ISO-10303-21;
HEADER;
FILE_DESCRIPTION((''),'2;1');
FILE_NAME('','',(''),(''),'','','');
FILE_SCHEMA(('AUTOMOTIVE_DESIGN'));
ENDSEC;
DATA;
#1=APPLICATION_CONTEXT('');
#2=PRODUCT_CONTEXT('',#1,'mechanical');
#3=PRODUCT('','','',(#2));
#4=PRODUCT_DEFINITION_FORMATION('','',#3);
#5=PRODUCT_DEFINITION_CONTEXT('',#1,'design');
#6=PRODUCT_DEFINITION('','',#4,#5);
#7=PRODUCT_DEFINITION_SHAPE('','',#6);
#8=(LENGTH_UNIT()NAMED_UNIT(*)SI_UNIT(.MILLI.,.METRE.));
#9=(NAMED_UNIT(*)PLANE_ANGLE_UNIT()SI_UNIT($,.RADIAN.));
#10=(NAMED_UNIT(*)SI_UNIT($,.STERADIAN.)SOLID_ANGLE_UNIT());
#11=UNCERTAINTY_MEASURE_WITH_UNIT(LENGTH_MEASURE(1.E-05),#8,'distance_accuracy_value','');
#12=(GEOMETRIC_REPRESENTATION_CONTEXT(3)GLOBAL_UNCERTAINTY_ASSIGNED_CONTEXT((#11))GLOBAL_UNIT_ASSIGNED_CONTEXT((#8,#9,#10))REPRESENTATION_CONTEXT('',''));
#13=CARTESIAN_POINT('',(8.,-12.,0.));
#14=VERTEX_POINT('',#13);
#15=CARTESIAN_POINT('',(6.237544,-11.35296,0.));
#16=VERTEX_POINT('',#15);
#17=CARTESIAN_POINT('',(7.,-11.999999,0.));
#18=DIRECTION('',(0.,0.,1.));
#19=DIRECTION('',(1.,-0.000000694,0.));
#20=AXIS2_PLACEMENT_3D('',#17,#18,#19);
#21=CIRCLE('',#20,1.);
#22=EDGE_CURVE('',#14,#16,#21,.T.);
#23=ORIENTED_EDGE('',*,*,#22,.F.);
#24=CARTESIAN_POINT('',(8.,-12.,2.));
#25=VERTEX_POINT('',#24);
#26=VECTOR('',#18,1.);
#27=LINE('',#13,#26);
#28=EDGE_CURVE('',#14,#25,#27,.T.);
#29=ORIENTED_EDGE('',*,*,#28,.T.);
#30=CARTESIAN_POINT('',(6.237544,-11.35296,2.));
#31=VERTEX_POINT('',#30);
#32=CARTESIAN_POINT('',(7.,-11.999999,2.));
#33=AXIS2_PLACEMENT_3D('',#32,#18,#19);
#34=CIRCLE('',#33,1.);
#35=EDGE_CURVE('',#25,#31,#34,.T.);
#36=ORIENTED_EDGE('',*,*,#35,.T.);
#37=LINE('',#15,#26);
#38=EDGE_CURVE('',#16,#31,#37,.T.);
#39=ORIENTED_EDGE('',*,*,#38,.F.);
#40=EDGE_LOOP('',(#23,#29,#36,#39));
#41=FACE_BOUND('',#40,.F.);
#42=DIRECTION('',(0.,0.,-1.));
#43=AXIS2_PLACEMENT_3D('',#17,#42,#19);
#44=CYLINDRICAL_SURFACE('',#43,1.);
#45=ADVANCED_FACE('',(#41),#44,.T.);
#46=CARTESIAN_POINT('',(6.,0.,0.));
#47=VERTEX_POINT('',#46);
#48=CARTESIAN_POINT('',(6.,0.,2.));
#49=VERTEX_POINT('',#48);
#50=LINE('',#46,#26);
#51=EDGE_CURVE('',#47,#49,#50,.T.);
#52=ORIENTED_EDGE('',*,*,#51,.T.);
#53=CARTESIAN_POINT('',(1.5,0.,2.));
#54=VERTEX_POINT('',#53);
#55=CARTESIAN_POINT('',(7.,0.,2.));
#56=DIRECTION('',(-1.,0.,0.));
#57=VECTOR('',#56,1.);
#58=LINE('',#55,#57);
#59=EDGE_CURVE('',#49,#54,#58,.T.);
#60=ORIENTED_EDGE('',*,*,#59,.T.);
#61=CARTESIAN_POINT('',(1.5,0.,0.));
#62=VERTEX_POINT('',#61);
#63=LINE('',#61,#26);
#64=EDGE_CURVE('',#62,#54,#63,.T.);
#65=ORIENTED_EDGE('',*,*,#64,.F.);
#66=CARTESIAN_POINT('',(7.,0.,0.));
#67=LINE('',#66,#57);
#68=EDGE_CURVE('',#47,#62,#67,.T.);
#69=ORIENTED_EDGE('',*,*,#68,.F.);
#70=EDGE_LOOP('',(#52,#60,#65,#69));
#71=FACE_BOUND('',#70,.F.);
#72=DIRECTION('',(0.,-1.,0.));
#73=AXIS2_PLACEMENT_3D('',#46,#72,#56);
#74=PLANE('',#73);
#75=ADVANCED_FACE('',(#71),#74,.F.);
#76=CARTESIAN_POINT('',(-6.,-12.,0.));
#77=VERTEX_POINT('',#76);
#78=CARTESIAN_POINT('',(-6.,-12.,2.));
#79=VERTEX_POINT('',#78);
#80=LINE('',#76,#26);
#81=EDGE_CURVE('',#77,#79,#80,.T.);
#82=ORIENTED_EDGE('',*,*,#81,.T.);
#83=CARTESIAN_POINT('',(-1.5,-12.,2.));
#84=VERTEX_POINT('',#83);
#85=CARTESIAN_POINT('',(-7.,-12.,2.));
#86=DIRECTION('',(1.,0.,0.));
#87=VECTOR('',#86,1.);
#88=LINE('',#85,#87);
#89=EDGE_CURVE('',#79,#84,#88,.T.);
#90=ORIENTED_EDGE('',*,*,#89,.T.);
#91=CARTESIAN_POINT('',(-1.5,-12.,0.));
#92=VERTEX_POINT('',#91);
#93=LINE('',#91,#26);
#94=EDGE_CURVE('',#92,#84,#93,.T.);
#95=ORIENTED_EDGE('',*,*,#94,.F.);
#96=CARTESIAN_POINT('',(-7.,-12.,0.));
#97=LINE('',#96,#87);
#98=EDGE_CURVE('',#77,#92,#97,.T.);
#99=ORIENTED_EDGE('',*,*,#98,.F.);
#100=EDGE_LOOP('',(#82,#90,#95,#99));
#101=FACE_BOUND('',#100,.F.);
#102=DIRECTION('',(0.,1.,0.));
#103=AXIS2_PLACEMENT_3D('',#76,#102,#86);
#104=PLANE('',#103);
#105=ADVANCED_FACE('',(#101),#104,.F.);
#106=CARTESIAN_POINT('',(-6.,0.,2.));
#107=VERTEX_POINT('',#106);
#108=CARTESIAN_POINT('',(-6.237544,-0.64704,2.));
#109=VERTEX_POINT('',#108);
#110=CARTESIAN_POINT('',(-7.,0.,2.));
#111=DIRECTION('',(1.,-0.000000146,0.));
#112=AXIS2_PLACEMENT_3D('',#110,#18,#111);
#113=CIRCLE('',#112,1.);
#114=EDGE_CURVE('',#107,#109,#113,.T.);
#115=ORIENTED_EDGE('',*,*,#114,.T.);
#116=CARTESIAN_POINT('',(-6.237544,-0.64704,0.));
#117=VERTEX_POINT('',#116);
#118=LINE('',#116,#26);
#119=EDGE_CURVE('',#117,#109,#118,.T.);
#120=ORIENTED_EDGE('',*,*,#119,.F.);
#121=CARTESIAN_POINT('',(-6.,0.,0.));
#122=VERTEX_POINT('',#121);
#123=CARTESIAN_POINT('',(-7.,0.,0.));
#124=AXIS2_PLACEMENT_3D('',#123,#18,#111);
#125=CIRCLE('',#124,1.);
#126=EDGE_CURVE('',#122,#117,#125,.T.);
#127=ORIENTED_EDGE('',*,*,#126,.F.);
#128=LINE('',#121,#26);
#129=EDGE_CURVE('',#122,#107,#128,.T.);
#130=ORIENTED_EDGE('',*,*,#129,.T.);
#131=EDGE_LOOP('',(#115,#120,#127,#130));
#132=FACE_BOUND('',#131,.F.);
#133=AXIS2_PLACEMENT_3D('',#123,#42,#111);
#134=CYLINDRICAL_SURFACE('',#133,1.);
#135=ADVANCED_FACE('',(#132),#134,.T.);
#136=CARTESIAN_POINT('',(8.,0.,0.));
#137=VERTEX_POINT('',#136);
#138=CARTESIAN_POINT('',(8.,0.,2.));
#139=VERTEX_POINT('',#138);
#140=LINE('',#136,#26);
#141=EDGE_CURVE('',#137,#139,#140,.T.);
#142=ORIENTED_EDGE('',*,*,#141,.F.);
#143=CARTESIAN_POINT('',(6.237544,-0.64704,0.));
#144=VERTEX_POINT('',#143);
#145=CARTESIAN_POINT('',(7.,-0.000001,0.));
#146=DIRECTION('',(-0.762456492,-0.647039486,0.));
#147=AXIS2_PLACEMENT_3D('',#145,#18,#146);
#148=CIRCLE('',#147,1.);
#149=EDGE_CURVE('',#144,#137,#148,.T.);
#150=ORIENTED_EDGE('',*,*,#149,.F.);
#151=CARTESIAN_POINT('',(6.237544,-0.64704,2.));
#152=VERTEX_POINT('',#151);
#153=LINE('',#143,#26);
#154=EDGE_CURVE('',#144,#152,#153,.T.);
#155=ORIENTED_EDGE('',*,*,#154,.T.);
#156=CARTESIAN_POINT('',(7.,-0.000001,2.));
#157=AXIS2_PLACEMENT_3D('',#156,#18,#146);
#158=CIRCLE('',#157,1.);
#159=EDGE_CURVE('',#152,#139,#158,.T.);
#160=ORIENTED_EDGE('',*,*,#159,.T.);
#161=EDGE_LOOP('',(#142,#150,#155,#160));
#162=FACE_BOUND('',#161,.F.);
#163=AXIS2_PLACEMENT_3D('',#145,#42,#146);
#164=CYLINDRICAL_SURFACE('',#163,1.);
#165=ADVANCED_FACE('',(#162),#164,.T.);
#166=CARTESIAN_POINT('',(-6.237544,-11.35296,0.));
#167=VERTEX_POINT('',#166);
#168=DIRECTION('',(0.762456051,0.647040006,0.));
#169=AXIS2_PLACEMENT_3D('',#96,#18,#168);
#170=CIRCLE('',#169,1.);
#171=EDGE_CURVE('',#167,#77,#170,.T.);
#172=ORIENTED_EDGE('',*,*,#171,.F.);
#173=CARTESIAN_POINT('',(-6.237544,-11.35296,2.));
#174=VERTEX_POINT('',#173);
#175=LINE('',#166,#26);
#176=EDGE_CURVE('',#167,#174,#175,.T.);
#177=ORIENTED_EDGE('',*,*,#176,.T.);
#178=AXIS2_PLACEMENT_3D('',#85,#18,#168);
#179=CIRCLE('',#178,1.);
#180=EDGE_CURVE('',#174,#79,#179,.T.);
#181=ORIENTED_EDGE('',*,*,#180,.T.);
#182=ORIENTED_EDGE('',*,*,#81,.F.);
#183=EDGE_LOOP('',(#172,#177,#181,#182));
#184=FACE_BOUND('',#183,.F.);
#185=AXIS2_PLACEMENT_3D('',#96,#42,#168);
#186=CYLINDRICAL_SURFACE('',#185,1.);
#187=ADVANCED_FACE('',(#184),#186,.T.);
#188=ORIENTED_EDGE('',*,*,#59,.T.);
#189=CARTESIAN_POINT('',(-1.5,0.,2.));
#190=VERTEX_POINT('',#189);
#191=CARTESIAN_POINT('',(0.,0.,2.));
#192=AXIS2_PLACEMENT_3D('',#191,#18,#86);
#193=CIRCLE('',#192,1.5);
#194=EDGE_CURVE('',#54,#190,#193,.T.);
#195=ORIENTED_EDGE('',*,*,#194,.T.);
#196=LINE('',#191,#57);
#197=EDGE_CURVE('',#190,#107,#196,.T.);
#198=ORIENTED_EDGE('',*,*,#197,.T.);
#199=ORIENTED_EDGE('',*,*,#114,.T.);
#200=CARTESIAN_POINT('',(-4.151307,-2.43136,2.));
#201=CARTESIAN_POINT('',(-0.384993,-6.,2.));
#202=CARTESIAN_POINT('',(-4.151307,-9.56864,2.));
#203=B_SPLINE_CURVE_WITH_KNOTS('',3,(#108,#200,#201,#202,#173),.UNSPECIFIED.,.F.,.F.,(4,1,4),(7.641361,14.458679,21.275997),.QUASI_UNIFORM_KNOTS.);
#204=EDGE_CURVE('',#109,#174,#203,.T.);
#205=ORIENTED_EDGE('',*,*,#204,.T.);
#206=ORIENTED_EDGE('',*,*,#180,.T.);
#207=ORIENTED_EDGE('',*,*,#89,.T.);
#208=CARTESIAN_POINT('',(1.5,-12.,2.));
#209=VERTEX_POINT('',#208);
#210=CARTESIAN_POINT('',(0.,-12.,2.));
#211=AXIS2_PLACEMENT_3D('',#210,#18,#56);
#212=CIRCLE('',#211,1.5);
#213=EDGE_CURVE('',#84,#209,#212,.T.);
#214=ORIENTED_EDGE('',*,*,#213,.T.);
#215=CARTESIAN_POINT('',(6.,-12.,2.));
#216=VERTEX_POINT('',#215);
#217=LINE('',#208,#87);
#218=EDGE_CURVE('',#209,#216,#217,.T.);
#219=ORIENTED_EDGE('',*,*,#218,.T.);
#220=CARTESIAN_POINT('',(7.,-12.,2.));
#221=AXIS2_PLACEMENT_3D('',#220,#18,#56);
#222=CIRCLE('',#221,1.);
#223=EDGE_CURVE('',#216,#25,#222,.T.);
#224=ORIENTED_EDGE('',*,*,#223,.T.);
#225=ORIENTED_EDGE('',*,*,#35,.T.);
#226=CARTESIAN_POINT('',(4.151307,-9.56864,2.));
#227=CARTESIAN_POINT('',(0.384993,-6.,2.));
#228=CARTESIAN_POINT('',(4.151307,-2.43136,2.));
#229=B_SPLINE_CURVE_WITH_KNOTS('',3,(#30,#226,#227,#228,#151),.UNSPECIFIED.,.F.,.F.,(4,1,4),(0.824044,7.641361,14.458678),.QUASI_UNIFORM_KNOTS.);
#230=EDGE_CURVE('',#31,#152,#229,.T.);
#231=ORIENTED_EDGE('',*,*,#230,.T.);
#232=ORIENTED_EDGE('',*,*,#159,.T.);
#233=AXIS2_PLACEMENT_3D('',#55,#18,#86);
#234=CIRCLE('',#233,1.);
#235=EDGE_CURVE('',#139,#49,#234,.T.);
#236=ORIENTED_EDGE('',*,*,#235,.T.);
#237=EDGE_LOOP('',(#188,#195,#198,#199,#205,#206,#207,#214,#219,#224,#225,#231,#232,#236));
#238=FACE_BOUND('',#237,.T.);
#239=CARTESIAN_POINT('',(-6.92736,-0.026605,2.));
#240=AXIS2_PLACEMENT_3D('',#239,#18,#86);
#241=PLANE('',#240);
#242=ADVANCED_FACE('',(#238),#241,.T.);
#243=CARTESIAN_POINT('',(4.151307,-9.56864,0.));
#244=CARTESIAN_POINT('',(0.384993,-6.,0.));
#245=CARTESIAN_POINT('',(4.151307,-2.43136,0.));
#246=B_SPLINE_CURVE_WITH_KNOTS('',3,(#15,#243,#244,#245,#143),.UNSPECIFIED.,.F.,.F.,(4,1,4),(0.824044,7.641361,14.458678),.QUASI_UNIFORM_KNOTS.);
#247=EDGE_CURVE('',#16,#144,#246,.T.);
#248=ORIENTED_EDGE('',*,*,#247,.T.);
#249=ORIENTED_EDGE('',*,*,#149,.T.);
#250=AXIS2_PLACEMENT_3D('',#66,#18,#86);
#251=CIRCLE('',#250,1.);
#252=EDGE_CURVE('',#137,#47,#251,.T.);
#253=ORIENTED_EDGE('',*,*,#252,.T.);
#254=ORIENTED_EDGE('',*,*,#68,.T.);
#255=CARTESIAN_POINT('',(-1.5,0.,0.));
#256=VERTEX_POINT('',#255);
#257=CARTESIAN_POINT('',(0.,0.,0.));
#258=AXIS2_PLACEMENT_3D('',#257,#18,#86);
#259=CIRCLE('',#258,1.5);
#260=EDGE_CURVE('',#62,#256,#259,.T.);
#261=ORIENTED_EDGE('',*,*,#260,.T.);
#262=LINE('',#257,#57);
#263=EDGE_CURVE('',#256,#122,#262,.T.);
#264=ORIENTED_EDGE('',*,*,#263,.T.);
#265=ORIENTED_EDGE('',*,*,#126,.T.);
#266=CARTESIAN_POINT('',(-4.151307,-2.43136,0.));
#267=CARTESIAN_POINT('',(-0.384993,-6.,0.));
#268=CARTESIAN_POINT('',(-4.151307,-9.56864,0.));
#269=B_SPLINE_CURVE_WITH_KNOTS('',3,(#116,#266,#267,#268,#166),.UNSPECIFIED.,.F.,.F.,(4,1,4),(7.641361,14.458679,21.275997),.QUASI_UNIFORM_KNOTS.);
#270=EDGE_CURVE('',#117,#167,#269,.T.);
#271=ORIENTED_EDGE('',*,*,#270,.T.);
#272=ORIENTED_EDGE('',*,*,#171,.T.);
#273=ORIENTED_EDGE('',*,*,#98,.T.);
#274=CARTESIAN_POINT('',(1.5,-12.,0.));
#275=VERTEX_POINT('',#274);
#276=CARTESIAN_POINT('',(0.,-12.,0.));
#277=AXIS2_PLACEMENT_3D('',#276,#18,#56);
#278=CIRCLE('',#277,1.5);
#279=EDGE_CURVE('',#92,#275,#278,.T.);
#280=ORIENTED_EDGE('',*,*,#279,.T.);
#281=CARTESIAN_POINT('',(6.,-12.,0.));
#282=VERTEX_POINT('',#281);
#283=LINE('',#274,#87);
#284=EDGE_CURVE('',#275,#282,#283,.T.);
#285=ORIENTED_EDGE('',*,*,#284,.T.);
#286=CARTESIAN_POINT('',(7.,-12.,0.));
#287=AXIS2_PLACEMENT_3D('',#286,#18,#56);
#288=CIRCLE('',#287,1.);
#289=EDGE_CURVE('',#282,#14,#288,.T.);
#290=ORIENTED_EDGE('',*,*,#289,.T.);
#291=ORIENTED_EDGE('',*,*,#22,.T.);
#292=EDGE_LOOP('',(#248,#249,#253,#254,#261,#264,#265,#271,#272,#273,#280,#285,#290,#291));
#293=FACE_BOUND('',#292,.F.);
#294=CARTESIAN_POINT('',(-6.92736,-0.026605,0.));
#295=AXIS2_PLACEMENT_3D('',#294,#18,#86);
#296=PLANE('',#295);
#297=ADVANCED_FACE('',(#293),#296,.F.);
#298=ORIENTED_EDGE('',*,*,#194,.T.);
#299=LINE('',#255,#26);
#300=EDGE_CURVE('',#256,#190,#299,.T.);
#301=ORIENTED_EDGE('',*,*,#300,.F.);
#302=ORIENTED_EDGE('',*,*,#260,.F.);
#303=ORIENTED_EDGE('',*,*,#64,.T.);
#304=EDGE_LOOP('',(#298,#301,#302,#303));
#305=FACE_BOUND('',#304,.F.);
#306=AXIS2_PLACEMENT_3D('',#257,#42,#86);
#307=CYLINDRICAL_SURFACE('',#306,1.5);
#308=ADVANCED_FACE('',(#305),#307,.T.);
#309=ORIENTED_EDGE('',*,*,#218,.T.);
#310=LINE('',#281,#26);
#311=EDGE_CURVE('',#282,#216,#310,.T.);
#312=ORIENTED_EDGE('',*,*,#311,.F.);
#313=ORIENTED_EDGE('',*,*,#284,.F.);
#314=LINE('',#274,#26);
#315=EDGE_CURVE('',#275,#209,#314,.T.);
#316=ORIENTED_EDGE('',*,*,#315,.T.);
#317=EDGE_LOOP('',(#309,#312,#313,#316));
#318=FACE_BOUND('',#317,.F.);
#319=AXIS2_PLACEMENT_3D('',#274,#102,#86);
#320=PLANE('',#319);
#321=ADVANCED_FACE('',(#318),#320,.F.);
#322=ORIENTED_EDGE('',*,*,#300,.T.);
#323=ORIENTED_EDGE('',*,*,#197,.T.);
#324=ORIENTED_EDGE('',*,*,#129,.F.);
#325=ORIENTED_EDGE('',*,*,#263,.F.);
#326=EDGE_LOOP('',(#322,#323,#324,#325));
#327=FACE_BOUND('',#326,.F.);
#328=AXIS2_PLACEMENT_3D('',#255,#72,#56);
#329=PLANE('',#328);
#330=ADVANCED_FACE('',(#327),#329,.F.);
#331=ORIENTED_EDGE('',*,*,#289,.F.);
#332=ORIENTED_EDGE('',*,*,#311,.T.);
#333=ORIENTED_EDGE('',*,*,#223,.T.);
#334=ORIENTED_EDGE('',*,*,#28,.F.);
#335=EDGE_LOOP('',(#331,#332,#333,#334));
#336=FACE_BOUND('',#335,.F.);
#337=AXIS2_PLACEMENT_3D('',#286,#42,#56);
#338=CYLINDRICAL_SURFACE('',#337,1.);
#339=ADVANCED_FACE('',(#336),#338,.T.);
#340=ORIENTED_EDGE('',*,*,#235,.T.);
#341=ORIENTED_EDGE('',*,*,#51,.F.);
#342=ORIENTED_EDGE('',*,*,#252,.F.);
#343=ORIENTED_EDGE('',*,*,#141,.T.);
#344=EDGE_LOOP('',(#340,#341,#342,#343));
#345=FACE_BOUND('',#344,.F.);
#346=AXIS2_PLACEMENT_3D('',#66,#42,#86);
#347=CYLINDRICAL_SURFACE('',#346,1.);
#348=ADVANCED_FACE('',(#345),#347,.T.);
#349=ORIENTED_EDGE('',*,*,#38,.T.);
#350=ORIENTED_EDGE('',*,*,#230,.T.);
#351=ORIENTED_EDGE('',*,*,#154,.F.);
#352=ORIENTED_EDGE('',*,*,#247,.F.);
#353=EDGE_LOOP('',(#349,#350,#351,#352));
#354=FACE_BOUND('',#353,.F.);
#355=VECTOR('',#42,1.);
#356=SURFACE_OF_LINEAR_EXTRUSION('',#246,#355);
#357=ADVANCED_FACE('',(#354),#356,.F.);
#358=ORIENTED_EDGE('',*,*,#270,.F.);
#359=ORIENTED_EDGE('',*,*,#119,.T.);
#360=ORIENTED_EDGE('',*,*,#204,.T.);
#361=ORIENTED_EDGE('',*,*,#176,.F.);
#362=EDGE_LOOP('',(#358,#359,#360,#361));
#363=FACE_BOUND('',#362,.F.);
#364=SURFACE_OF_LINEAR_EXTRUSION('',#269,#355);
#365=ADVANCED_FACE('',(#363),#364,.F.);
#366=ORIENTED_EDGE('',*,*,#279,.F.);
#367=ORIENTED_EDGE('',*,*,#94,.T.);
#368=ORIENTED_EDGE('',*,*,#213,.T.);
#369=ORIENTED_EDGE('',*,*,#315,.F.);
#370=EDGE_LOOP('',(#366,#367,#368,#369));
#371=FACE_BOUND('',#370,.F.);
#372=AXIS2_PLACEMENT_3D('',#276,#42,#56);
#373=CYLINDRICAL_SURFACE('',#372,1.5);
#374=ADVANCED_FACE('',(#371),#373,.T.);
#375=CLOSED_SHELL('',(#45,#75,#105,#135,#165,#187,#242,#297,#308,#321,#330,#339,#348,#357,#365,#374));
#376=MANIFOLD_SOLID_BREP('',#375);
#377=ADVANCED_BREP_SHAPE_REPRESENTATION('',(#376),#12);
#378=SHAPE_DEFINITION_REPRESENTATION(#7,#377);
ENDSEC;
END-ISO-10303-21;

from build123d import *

# Parameters (mm, degrees)
F1_DEPTH = 2


with BuildPart() as f1:
    # F0 (on Top) → F1 (new body)
    with BuildSketch(Plane.XY):
        with BuildLine():
            add(Edge.make_bspline(
                [(-6.237544, -0.64704), (-6.489718, -0.43136), (-6.744859, -0.21568), (-7, 0)],
                knots=[14.458679, 14.458679, 14.458679, 14.458679, 15.282723, 15.282723, 15.282723, 15.282723], degree=3))
            Line((-7, 0), (-6, 0))
            ThreePointArc((-6, 0), (-7.938738, 0.344633), (-6.237544, -0.64704))
        make_face()
        with BuildLine():
            Line((-6, 0), (-7, 0))
            add(Edge.make_bspline(
                [(-6.237544, -0.64704), (-6.489718, -0.43136), (-6.744859, -0.21568), (-7, 0)],
                knots=[14.458679, 14.458679, 14.458679, 14.458679, 15.282723, 15.282723, 15.282723, 15.282723], degree=3))
            ThreePointArc((-6.237544, -0.64704), (-6.061262, -0.344633), (-6, 0))
        make_face()
        with BuildLine():
            Line((-1.5, 0), (-6, 0))
            ThreePointArc((-6, 0), (-6.061262, -0.344633), (-6.237544, -0.64704))
            add(Edge.make_bspline(
                [(-2.26815, -6), (-2.26815, -4.21568), (-4.151307, -2.43136), (-6.237544, -0.64704)],
                knots=[7.641361, 7.641361, 7.641361, 7.641361, 14.458679, 14.458679, 14.458679, 14.458679], degree=3))
            Line((-2.26815, -6), (0, -6))
            Line((0, -6), (0, 0))
            Line((0, 0), (-1.5, 0))
        make_face()
        with BuildLine():
            ThreePointArc((1.5, 0), (0, 1.5), (-1.5, 0))
            Line((-1.5, 0), (0, 0))
            Line((0, 0), (1.5, 0))
        make_face()
        with BuildLine():
            Line((1.5, 0), (0, 0))
            Line((0, 0), (0, -6))
            Line((0, -6), (2.26815, -6))
            add(Edge.make_bspline(
                [(2.26815, -6), (2.26815, -4.21568), (4.151307, -2.43136), (6.237544, -0.64704)],
                knots=[7.641361, 7.641361, 7.641361, 7.641361, 14.458679, 14.458679, 14.458679, 14.458679], degree=3))
            ThreePointArc((6.237544, -0.64704), (6.061262, -0.344633), (6, 0))
            Line((6, 0), (1.5, 0))
        make_face()
        with BuildLine():
            Line((7, 0), (6, 0))
            ThreePointArc((6, 0), (6.061262, -0.344633), (6.237544, -0.64704))
            add(Edge.make_bspline(
                [(6.237544, -0.64704), (6.489718, -0.43136), (6.744859, -0.21568), (7, 0)],
                knots=[14.458679, 14.458679, 14.458679, 14.458679, 15.282723, 15.282723, 15.282723, 15.282723], degree=3))
        make_face()
        with BuildLine():
            ThreePointArc((8, 0), (7, 1), (6, 0))
            Line((6, 0), (7, 0))
            add(Edge.make_bspline(
                [(6.237544, -0.64704), (6.489718, -0.43136), (6.744859, -0.21568), (7, 0)],
                knots=[14.458679, 14.458679, 14.458679, 14.458679, 15.282723, 15.282723, 15.282723, 15.282723], degree=3))
            ThreePointArc((6.237544, -0.64704), (7.344633, -0.938738), (8, 0))
        make_face()
        with BuildLine():
            Line((0, -6), (-2.26815, -6))
            add(Edge.make_bspline(
                [(-6.237544, -11.35296), (-4.151307, -9.56864), (-2.26815, -7.78432), (-2.26815, -6)],
                knots=[0.824044, 0.824044, 0.824044, 0.824044, 7.641361, 7.641361, 7.641361, 7.641361], degree=3))
            ThreePointArc((-6.237544, -11.35296), (-6.061262, -11.655367), (-6, -12))
            Line((-6, -12), (-1.5, -12))
            Line((-1.5, -12), (0, -12))
            Line((0, -12), (0, -6))
        make_face()
        with BuildLine():
            Line((2.26815, -6), (0, -6))
            Line((0, -6), (0, -12))
            Line((0, -12), (1.5, -12))
            Line((1.5, -12), (6, -12))
            ThreePointArc((6, -12), (6.061262, -11.655367), (6.237544, -11.35296))
            add(Edge.make_bspline(
                [(6.237544, -11.35296), (4.151307, -9.56864), (2.26815, -7.78432), (2.26815, -6)],
                knots=[0.824044, 0.824044, 0.824044, 0.824044, 7.641361, 7.641361, 7.641361, 7.641361], degree=3))
        make_face()
        with BuildLine():
            ThreePointArc((-6, -12), (-6.061262, -11.655367), (-6.237544, -11.35296))
            add(Edge.make_bspline(
                [(-7, -12), (-6.744859, -11.78432), (-6.489718, -11.56864), (-6.237544, -11.35296)],
                knots=[0, 0, 0, 0, 0.824044, 0.824044, 0.824044, 0.824044], degree=3))
            Line((-7, -12), (-6, -12))
        make_face()
        with BuildLine():
            add(Edge.make_bspline(
                [(-7, -12), (-6.744859, -11.78432), (-6.489718, -11.56864), (-6.237544, -11.35296)],
                knots=[0, 0, 0, 0, 0.824044, 0.824044, 0.824044, 0.824044], degree=3))
            ThreePointArc((-6.237544, -11.35296), (-7.938738, -12.344633), (-6, -12))
            Line((-6, -12), (-7, -12))
        make_face()
        with BuildLine():
            Line((1.5, -12), (0, -12))
            Line((0, -12), (-1.5, -12))
            ThreePointArc((-1.5, -12), (0, -13.5), (1.5, -12))
        make_face()
        with BuildLine():
            add(Edge.make_bspline(
                [(7, -12), (6.744859, -11.78432), (6.489718, -11.56864), (6.237544, -11.35296)],
                knots=[0, 0, 0, 0, 0.824044, 0.824044, 0.824044, 0.824044], degree=3))
            ThreePointArc((6.237544, -11.35296), (6.061262, -11.655367), (6, -12))
            Line((6, -12), (7, -12))
        make_face()
        with BuildLine():
            ThreePointArc((8, -12), (7.344633, -11.061262), (6.237544, -11.35296))
            add(Edge.make_bspline(
                [(7, -12), (6.744859, -11.78432), (6.489718, -11.56864), (6.237544, -11.35296)],
                knots=[0, 0, 0, 0, 0.824044, 0.824044, 0.824044, 0.824044], degree=3))
            Line((7, -12), (6, -12))
            ThreePointArc((6, -12), (7, -13), (8, -12))
        make_face()
    extrude(amount=F1_DEPTH)


solid = f1.part
